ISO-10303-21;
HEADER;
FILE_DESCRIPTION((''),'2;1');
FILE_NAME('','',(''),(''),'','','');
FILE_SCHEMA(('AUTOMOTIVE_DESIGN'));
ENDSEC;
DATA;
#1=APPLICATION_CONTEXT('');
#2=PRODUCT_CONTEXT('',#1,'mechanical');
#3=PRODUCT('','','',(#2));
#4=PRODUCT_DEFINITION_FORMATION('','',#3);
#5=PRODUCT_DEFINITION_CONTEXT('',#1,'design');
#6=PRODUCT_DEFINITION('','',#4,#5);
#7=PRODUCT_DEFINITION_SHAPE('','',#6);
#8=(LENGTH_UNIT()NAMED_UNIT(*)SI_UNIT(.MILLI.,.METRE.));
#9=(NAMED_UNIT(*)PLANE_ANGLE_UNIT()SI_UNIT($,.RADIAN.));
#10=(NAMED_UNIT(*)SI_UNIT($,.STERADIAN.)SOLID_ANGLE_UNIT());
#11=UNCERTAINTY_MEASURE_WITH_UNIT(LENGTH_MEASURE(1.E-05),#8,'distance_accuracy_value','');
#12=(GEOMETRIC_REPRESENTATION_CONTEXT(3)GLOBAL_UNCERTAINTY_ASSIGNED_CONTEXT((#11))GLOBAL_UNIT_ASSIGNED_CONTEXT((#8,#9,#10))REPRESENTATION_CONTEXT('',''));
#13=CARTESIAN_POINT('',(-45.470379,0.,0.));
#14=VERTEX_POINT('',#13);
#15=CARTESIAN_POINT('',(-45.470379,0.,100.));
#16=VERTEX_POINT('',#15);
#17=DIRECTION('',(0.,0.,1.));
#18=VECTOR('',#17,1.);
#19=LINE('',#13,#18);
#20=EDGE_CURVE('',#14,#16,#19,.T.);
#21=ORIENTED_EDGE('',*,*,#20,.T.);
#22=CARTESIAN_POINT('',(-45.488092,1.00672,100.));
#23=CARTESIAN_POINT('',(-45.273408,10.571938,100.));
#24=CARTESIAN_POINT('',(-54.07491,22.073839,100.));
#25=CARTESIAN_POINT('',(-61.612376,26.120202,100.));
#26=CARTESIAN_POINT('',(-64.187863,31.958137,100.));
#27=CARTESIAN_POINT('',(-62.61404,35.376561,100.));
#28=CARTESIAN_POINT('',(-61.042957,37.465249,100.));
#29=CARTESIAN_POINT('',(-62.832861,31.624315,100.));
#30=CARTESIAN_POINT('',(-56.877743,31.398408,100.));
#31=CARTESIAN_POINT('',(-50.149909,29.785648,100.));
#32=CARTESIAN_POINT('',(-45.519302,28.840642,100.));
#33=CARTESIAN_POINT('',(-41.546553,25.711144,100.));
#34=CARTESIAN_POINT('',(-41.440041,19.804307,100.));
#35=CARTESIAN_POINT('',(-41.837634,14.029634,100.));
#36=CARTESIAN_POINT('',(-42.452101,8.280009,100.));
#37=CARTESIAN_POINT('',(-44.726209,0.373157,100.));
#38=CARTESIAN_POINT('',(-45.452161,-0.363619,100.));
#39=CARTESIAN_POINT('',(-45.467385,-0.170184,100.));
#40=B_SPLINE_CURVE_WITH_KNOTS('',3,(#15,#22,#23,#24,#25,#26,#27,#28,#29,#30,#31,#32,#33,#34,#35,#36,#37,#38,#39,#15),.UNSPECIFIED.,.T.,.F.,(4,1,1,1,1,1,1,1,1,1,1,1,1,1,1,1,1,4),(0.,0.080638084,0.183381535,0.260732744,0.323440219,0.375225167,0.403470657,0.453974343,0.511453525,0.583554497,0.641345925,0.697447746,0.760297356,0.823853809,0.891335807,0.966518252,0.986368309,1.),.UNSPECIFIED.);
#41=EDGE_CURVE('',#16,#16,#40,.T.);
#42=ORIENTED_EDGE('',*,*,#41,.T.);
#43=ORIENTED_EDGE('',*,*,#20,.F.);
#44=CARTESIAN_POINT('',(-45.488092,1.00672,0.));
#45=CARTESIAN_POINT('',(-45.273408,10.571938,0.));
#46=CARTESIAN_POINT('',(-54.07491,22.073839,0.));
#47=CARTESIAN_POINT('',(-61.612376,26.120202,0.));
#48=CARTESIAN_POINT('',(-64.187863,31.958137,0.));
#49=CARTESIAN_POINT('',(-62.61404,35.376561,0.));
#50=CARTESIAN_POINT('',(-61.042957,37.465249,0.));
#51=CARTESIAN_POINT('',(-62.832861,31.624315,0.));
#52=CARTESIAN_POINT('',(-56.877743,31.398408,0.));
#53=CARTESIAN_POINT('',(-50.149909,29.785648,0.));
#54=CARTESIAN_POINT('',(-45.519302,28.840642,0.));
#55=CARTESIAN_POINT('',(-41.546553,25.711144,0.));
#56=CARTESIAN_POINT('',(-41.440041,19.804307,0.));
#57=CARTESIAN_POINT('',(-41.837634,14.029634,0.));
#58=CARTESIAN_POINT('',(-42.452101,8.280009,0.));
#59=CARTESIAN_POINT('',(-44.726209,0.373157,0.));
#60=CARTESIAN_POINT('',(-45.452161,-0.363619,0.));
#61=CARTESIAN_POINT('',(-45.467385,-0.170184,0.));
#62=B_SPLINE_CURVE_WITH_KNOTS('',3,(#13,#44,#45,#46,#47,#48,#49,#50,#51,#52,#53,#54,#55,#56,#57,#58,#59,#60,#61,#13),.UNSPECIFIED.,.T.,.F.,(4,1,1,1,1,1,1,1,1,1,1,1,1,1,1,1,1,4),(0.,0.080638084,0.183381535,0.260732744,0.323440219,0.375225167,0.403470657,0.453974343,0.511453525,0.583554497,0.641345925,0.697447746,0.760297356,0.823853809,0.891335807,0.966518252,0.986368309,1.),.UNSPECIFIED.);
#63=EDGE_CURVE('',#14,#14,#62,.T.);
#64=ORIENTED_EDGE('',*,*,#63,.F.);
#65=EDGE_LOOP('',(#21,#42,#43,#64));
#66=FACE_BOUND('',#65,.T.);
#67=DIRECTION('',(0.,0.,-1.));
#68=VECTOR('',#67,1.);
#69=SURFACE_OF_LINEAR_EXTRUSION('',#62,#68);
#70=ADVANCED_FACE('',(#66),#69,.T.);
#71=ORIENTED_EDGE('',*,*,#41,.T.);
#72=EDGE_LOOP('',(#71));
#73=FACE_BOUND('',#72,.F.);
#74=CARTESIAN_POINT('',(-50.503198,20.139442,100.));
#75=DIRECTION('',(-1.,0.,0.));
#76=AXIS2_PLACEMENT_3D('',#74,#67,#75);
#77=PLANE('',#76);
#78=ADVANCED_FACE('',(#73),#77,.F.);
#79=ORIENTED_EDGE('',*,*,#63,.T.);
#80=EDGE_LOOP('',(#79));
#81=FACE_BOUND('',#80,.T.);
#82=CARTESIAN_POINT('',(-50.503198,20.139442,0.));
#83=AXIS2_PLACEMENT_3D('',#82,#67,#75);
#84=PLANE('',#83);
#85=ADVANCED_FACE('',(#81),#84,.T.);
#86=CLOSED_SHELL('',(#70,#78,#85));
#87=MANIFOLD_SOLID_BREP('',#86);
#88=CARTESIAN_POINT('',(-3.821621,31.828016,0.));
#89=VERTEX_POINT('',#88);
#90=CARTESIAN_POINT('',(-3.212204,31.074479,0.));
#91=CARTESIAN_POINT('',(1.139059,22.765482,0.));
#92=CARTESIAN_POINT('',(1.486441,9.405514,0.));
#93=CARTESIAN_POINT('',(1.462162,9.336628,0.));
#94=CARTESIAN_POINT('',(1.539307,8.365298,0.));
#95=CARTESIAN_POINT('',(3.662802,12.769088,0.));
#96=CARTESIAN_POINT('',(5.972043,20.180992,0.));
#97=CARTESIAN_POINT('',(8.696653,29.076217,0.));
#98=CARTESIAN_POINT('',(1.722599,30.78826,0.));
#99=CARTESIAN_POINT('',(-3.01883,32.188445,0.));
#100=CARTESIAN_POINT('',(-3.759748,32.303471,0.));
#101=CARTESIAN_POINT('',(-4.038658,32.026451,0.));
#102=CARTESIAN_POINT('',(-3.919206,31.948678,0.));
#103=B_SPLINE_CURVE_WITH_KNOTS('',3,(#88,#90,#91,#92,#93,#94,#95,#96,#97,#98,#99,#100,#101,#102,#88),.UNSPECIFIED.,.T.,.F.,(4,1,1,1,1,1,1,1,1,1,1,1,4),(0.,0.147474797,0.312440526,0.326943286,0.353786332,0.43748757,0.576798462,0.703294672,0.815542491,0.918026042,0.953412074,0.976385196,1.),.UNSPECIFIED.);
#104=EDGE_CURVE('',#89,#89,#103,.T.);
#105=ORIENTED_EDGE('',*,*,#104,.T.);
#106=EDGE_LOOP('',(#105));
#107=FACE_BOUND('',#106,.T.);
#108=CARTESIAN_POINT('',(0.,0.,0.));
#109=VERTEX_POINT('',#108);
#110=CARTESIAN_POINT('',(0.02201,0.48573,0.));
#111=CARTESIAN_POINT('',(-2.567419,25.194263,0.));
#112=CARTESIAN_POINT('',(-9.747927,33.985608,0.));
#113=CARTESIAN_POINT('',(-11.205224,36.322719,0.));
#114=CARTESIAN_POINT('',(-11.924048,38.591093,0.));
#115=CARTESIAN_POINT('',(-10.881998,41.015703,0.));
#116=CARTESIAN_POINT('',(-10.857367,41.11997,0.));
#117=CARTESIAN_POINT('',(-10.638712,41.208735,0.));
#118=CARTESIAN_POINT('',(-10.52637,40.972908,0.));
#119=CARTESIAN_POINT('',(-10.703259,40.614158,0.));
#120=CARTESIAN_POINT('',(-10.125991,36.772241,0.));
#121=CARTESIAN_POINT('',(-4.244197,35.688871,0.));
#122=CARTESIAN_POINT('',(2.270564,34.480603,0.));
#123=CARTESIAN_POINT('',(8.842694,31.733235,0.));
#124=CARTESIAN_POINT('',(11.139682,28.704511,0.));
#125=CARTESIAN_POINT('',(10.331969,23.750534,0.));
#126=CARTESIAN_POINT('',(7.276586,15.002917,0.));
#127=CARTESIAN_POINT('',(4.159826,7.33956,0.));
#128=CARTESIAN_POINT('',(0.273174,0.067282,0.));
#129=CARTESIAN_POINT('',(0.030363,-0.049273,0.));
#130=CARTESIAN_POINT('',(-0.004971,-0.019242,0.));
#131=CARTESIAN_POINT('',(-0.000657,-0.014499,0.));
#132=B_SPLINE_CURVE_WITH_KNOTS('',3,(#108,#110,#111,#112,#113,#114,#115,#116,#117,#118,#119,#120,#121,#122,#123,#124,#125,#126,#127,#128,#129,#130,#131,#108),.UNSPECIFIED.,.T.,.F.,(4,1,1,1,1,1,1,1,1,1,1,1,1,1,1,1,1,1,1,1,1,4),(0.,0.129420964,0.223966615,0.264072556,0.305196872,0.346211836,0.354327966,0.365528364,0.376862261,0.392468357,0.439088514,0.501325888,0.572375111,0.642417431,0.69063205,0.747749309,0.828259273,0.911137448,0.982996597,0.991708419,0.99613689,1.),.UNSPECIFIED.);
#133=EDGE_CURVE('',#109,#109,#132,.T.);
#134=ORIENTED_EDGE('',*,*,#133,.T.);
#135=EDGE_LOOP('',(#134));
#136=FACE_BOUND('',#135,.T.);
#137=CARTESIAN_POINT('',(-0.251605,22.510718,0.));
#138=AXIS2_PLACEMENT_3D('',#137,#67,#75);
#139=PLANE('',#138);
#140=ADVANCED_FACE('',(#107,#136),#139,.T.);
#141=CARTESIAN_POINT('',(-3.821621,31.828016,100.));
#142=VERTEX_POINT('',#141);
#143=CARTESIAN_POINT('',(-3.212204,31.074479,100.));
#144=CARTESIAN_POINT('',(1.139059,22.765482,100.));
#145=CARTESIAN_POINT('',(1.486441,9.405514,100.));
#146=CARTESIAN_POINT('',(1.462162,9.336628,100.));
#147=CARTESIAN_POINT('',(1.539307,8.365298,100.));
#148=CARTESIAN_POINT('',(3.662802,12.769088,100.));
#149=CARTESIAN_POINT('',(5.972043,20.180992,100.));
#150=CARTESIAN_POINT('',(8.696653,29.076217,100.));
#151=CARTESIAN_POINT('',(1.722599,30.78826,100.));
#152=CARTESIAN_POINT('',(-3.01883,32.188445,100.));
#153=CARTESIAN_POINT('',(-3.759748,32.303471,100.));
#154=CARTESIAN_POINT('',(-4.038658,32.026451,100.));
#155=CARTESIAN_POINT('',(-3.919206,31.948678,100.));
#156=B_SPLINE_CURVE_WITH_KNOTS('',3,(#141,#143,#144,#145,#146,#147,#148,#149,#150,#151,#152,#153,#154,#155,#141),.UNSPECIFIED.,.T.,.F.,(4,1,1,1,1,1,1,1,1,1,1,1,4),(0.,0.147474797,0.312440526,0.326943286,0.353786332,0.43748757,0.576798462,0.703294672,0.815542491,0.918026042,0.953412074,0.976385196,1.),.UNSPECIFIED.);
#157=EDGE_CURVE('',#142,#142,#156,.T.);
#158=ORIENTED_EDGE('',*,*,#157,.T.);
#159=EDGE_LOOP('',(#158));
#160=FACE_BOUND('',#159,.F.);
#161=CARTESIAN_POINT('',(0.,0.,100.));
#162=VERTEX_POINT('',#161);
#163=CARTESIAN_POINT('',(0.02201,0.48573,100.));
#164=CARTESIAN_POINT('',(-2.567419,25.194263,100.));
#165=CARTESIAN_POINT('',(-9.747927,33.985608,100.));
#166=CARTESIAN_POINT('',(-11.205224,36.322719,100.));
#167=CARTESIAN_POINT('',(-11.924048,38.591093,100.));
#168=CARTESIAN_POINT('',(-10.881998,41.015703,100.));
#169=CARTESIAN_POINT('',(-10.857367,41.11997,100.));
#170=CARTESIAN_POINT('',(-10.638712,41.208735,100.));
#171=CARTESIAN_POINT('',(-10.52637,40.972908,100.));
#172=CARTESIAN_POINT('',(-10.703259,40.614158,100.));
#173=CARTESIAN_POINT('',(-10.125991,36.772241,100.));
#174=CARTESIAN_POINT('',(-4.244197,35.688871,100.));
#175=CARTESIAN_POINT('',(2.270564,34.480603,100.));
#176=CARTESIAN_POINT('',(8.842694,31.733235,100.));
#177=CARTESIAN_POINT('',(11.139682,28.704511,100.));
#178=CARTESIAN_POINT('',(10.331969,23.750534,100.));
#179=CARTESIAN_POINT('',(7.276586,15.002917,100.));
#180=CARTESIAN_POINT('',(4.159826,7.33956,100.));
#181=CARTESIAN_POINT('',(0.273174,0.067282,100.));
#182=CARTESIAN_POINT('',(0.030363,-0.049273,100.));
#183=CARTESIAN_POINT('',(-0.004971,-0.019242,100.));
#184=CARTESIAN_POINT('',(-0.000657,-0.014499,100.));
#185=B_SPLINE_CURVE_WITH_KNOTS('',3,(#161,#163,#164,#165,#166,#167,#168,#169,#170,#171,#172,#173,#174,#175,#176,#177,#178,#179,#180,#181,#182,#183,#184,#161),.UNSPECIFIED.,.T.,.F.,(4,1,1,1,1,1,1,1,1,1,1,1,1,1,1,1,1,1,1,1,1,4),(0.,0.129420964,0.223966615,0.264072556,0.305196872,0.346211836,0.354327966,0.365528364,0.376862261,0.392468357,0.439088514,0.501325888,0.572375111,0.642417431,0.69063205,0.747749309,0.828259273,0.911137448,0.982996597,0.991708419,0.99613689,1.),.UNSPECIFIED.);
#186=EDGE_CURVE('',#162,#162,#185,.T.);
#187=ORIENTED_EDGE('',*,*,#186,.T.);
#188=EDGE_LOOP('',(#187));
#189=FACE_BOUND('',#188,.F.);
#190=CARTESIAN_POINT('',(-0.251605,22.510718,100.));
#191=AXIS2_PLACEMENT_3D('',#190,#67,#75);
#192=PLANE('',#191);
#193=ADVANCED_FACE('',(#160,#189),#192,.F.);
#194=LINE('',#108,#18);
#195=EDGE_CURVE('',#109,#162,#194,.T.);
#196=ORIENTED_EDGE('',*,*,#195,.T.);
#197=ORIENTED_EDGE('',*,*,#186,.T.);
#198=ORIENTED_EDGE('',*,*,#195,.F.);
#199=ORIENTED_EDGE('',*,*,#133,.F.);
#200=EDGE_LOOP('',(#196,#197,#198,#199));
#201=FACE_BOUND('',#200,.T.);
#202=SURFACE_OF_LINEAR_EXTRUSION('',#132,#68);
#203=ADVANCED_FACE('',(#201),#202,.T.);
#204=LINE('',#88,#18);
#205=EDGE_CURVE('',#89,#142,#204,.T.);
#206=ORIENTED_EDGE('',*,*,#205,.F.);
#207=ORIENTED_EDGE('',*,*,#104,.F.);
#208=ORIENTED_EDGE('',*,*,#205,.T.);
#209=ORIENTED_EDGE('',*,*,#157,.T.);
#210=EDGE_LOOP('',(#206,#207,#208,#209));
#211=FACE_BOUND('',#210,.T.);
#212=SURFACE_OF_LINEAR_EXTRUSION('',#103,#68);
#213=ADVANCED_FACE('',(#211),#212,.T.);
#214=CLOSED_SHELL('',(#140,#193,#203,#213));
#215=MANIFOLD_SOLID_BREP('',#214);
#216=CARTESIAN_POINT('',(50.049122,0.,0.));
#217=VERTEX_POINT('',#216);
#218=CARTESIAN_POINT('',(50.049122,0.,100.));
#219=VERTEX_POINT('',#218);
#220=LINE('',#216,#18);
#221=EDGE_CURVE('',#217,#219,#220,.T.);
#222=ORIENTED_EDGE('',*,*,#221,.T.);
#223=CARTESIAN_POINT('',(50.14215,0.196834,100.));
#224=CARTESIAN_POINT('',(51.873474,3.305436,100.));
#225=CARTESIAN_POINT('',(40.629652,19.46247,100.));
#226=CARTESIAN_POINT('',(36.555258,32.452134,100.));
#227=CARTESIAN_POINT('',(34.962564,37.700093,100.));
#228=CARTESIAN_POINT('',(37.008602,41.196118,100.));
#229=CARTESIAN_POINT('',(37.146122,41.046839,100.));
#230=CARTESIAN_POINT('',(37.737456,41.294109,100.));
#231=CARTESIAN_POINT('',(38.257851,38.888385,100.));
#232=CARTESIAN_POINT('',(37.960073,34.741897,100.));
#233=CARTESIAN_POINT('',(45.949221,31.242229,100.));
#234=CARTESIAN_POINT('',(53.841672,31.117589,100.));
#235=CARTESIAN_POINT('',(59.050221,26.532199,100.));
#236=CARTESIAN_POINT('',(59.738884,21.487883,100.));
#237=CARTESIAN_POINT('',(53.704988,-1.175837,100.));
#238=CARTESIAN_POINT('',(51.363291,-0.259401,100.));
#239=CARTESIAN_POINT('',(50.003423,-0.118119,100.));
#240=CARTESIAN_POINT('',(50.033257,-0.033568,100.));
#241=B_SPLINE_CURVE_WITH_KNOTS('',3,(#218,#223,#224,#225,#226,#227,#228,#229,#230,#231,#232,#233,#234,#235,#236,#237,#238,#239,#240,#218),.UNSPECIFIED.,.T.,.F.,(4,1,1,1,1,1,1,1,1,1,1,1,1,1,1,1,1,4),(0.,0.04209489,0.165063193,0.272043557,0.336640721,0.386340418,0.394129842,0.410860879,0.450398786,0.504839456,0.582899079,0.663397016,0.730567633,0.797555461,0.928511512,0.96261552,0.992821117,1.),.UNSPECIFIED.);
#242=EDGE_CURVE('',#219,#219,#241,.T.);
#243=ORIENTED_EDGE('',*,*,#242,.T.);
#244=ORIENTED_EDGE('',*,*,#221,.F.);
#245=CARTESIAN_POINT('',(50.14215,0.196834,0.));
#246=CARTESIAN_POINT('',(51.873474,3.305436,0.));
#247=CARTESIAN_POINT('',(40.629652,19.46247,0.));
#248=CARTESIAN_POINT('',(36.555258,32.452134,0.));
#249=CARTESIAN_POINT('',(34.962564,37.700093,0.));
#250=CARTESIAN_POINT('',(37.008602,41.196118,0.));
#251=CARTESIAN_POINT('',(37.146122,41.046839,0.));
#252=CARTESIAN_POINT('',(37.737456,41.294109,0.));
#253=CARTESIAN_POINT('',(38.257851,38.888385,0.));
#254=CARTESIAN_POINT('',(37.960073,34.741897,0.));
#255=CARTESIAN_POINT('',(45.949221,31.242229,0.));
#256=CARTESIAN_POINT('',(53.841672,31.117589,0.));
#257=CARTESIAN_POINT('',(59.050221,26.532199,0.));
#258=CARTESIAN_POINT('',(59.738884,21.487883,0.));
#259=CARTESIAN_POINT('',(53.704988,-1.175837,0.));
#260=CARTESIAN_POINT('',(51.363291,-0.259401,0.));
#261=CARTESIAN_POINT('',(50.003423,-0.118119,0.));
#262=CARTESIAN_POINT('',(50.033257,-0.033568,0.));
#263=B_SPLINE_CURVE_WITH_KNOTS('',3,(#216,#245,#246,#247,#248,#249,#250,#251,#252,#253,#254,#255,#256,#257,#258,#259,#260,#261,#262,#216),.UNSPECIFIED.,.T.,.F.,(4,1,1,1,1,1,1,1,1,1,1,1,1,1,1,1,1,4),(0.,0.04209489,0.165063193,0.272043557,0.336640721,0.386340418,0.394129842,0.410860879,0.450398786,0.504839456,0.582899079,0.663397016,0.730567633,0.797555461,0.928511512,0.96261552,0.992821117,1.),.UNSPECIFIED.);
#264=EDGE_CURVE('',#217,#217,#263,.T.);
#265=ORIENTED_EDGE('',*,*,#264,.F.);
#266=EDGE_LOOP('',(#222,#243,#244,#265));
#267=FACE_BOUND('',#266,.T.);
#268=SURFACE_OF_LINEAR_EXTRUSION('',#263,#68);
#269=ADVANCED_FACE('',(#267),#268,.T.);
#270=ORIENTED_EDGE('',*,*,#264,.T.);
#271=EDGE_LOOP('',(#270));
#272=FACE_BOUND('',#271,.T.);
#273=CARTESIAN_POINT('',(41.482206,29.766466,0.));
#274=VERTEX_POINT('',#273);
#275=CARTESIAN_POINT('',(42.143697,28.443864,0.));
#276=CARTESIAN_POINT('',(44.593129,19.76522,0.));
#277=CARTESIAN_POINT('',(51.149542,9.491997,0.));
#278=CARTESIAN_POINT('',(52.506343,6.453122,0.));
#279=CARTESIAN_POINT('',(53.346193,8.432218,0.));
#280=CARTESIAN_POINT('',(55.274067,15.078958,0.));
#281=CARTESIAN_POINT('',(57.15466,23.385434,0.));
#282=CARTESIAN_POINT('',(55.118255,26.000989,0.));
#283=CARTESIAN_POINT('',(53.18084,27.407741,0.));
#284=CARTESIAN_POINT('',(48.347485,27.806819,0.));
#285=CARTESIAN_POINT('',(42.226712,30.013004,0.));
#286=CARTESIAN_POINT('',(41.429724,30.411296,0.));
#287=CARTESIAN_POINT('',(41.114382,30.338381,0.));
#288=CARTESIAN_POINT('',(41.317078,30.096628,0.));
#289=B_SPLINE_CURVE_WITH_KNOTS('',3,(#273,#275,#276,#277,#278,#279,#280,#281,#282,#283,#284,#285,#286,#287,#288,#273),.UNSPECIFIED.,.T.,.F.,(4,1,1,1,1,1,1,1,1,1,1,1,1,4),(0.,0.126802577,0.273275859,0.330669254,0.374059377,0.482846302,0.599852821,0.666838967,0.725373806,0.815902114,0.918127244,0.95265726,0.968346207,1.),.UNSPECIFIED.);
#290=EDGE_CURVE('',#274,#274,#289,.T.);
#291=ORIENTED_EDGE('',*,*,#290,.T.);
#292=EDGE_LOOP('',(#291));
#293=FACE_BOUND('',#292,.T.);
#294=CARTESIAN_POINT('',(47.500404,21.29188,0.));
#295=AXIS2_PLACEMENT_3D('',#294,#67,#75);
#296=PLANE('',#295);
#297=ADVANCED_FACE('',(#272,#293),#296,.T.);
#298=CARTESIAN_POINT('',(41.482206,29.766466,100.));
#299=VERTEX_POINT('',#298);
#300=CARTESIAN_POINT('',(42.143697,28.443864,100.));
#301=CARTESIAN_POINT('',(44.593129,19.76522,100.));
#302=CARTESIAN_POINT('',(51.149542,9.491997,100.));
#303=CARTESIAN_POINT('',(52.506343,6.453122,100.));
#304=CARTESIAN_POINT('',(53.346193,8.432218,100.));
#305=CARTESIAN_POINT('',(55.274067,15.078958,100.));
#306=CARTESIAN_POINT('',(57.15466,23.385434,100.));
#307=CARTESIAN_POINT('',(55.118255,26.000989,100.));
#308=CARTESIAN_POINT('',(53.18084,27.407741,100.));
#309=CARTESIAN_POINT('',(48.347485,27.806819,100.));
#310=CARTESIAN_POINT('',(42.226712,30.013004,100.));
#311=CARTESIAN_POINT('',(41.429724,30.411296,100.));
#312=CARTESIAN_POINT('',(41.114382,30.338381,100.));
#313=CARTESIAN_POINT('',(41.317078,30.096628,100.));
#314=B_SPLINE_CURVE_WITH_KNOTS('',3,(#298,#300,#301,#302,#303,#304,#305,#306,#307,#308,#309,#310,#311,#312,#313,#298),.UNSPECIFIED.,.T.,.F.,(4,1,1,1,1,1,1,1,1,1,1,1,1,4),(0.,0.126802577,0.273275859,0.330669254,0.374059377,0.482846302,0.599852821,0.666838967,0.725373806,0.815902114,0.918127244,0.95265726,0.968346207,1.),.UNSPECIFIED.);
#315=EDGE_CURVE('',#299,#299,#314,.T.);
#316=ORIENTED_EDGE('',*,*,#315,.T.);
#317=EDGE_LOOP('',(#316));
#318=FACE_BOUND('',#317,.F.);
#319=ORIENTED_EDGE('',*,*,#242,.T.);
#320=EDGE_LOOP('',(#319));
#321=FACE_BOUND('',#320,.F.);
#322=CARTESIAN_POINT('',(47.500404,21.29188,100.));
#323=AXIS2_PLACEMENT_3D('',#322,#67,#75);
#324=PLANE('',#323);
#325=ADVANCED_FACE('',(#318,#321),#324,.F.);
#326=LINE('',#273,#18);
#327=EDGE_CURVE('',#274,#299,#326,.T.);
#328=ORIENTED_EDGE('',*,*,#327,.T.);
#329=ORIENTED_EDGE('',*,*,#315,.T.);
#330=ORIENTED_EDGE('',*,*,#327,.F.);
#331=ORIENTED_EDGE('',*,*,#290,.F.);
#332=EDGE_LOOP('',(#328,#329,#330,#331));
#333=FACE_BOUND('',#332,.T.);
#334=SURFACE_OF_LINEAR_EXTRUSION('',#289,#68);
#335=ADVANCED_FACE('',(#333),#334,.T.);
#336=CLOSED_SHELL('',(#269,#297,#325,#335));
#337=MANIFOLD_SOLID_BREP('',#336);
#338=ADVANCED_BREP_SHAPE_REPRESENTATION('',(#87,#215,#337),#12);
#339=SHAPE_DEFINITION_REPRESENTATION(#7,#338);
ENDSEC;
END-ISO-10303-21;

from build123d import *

# Parameters (mm, degrees)
F1_DEPTH = 100


with BuildPart() as f1:
    # F0 (on Top) → F1 (new body)
    with BuildSketch(Plane.XY):
        with BuildLine():
            add(Edge.make_bspline(
                [(0, 0), (0.0220101299, 0.4857303449), (-2.5674188334, 25.1942626515), (-9.7479273134, 33.9856081831), (-11.2052236529, 36.3227190797), (-11.924048401, 38.59109294), (-10.8819981409, 41.0157029875), (-10.8573670955, 41.1199697371), (-10.6387124257, 41.2087350716), (-10.5263702368, 40.9729081043), (-10.7032594834, 40.6141578542), (-10.1259905876, 36.7722414227), (-4.2441971213, 35.688870988), (2.2705638693, 34.4806025537), (8.8426940018, 31.7332348337), (11.1396822108, 28.7045113238), (10.3319692356, 23.750534121), (7.2765855558, 15.002916791), (4.1598259583, 7.3395604858), (0.2731736024, 0.0672817239), (0.0303631482, -0.0492734711), (-0.0049706716, -0.0192422505), (-0.0006569844, -0.014498654), (0, 0)],
                knots=[0, 0, 0, 0, 0.1294209635, 0.223966615, 0.264072556, 0.3051968719, 0.3462118357, 0.3543279661, 0.3655283641, 0.3768622607, 0.3924683569, 0.4390885141, 0.5013258881, 0.5723751111, 0.6424174309, 0.69063205, 0.7477493092, 0.8282592729, 0.9111374476, 0.9829965971, 0.9917084188, 0.99613689, 1, 1, 1, 1], degree=3))
        make_face()
        with BuildLine():
            add(Edge.make_bspline(
                [(-3.8216214161, 31.8280160427), (-3.2122038891, 31.0744791758), (1.1390594139, 22.765481776), (1.4864410549, 9.405513691), (1.4621615491, 9.336628106), (1.5393073405, 8.3652979649), (3.6628024401, 12.7690882877), (5.9720432984, 20.180992146), (8.6966532663, 29.0762173691), (1.7225991853, 30.7882600492), (-3.0188300853, 32.1884453794), (-3.7597479385, 32.3034710179), (-4.0386577102, 32.0264507955), (-3.9192060591, 31.9486781879), (-3.8216214161, 31.8280160427)],
                knots=[0, 0, 0, 0, 0.1474747972, 0.3124405265, 0.3269432859, 0.3537863324, 0.4374875705, 0.5767984619, 0.703294672, 0.8155424913, 0.9180260418, 0.9534120744, 0.976385196, 1, 1, 1, 1], degree=3))
        make_face(mode=Mode.SUBTRACT)
    extrude(amount=F1_DEPTH)


with BuildPart() as f1b:
    # F0 (on Top) → F1, piece 2 (new body)
    with BuildSketch(Plane.XY):
        with BuildLine():
            add(Edge.make_bspline(
                [(50.0491224229, 0), (50.1421497727, 0.1968340012), (51.8734744689, 3.3054363981), (40.6296520416, 19.4624702511), (36.5552581591, 32.4521344261), (34.9625635324, 37.7000932643), (37.0086017772, 41.1961183268), (37.1461216256, 41.0468386518), (37.7374558026, 41.2941087518), (38.2578506325, 38.8883850148), (37.9600730986, 34.7418967485), (45.9492206456, 31.2422285986), (53.8416723622, 31.1175894556), (59.0502208623, 26.5321985975), (59.7388837226, 21.4878833), (53.704987648, -1.1758368322), (51.3632907877, -0.2594005922), (50.0034226697, -0.1181185826), (50.033257494, -0.0335681651), (50.0491224229, 0)],
                knots=[0, 0, 0, 0, 0.0420948895, 0.1650631934, 0.272043557, 0.3366407208, 0.3863404178, 0.3941298422, 0.4108608791, 0.4503987859, 0.5048394561, 0.5828990792, 0.6633970163, 0.7305676326, 0.7975554611, 0.9285115117, 0.9626155204, 0.9928211173, 1, 1, 1, 1], degree=3))
        make_face()
        with BuildLine():
            add(Edge.make_bspline(
                [(41.482206434, 29.7664664686), (42.1436974888, 28.4438637061), (44.5931286241, 19.7652198819), (51.1495420271, 9.4919970889), (52.506343275, 6.4531217254), (53.3461927645, 8.4322181339), (55.2740674001, 15.0789576219), (57.1546596484, 23.3854341634), (55.1182549705, 26.0009889905), (53.1808402888, 27.4077410341), (48.3474847141, 27.8068190132), (42.2267122685, 30.0130038668), (41.4297243168, 30.4112957001), (41.1143822539, 30.3383812561), (41.3170780768, 30.0966284863), (41.482206434, 29.7664664686)],
                knots=[0, 0, 0, 0, 0.126802577, 0.2732758585, 0.3306692541, 0.3740593766, 0.4828463023, 0.5998528212, 0.6668389671, 0.7253738059, 0.8159021143, 0.9181272438, 0.9526572597, 0.9683462065, 1, 1, 1, 1], degree=3))
        make_face(mode=Mode.SUBTRACT)
    extrude(amount=F1_DEPTH)


with BuildPart() as f1c:
    # F0 (on Top) → F1, piece 3 (new body)
    with BuildSketch(Plane.XY):
        with BuildLine():
            add(Edge.make_bspline(
                [(-45.470379293, 0), (-45.4880920739, 1.0067204956), (-45.2734076235, 10.5719375966), (-54.0749095896, 22.0738386141), (-61.6123755033, 26.1202015501), (-64.1878630438, 31.9581367752), (-62.614040248, 35.3765608686), (-61.0429572715, 37.4652491178), (-62.8328611147, 31.6243153633), (-56.8777433041, 31.3984078679), (-50.149909049, 29.7856477319), (-45.5193021275, 28.8406422254), (-41.5465527294, 25.7111444105), (-41.440041465, 19.8043073497), (-41.8376337033, 14.0296335716), (-42.4521011543, 8.2800087259), (-44.726209142, 0.3731569342), (-45.4521610229, -0.3636189347), (-45.4673849862, -0.1701838936), (-45.470379293, 0)],
                knots=[0, 0, 0, 0, 0.0806380844, 0.1833815355, 0.2607327441, 0.323440219, 0.3752251666, 0.4034706566, 0.4539743435, 0.5114535247, 0.583554497, 0.6413459252, 0.6974477457, 0.7602973561, 0.8238538088, 0.8913358072, 0.9665182524, 0.9863683085, 1, 1, 1, 1], degree=3))
        make_face()
    extrude(amount=F1_DEPTH)


solid = Compound([f1.part, f1b.part, f1c.part])
